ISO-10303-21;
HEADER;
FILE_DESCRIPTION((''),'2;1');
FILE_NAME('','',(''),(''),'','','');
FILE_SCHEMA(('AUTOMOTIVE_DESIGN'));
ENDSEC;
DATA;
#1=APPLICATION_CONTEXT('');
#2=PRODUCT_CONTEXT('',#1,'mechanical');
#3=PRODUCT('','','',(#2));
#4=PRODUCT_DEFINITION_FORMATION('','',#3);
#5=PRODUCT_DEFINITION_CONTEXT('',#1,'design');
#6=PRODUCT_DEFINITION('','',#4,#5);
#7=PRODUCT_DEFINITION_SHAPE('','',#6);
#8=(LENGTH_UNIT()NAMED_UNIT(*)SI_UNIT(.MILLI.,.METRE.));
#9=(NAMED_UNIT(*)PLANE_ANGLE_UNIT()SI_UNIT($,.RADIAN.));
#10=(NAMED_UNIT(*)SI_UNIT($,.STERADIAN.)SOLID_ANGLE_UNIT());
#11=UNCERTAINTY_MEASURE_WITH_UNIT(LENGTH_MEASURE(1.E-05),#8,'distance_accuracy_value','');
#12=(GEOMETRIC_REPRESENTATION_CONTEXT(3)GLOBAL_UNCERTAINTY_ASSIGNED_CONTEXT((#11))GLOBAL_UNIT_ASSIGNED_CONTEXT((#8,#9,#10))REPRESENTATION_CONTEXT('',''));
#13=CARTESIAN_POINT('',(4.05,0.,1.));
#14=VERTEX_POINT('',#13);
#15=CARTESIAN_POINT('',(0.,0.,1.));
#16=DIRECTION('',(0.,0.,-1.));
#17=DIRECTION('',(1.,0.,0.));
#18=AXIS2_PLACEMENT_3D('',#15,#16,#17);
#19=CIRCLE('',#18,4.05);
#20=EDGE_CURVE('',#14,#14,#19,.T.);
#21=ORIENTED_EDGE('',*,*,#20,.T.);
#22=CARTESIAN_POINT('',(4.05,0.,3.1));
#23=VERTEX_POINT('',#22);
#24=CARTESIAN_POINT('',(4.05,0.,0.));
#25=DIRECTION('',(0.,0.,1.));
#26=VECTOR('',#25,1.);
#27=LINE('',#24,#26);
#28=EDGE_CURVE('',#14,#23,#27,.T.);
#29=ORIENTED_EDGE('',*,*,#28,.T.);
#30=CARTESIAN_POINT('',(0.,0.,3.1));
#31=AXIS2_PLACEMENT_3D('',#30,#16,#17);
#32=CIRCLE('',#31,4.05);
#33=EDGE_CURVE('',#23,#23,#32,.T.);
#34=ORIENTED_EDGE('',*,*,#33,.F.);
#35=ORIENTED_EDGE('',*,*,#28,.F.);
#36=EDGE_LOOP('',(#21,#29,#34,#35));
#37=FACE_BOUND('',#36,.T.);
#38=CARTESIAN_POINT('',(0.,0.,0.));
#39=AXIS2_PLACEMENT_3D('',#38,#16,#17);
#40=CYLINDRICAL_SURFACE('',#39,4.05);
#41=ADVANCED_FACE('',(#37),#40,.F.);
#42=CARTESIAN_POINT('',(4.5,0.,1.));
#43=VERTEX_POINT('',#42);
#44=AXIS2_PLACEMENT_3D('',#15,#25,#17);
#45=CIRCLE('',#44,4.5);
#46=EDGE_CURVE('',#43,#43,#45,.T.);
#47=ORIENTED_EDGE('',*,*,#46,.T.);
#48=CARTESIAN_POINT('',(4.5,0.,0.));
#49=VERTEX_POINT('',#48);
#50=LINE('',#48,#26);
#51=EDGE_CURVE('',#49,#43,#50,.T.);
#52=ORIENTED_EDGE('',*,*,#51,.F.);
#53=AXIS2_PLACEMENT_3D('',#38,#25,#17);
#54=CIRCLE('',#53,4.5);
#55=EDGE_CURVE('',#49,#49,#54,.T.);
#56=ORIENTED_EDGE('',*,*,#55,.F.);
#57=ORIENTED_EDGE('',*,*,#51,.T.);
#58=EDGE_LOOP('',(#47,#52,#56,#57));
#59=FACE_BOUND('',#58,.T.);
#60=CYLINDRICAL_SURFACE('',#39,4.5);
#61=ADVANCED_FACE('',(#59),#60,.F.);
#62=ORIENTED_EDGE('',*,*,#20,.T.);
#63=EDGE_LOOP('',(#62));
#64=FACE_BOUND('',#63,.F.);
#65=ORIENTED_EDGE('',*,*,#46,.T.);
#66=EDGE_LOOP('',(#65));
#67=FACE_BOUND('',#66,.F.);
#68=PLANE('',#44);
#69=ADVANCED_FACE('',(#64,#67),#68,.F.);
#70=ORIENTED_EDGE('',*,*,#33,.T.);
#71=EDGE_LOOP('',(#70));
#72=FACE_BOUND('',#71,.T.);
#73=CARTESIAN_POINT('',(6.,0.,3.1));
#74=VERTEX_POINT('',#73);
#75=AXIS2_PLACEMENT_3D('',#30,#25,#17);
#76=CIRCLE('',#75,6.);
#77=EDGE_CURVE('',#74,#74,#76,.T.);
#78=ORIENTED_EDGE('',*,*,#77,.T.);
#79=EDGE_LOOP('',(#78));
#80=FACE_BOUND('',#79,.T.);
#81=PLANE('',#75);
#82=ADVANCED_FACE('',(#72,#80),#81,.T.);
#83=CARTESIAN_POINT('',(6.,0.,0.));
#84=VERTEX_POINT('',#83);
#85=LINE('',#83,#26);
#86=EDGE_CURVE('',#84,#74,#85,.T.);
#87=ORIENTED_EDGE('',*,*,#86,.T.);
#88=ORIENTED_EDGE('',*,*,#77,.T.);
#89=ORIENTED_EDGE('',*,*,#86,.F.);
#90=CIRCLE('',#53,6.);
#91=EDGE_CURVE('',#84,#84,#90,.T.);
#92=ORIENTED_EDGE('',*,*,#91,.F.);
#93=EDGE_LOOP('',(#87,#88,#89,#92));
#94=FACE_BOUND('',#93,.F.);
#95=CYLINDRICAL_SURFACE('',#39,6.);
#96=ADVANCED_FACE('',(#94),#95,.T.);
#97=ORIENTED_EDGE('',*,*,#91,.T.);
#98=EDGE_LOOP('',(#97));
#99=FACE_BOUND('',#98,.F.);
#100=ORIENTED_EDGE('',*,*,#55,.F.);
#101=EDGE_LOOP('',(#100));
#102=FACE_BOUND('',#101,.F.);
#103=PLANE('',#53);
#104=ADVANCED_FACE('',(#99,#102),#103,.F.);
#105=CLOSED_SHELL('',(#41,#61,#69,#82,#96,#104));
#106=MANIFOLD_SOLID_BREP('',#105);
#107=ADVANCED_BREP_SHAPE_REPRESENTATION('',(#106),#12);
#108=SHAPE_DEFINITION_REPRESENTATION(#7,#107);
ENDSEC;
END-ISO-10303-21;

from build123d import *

# Parameters (mm, degrees)
SKETCH001_R     = 6
PAD_DEPTH       = 3.1
SKETCH_R        = 4.05
POCKET_DEPTH    = 3.101
SKETCH002_R     = 4.5
POCKET001_DEPTH = 1


with BuildPart() as part:
    # Sketch001 → Pad (new body)
    with BuildSketch(Plane.XY):
        Circle(SKETCH001_R)
    extrude(amount=PAD_DEPTH)

    # Sketch → Pocket (cut, through all)
    with BuildSketch(Plane.XY):
        Circle(SKETCH_R)
    extrude(amount=POCKET_DEPTH, mode=Mode.SUBTRACT)

    # Sketch002 → Pocket001 (cut)
    with BuildSketch(Plane.XY):
        Circle(SKETCH002_R)
    extrude(amount=POCKET001_DEPTH, mode=Mode.SUBTRACT)


solid = part.part
